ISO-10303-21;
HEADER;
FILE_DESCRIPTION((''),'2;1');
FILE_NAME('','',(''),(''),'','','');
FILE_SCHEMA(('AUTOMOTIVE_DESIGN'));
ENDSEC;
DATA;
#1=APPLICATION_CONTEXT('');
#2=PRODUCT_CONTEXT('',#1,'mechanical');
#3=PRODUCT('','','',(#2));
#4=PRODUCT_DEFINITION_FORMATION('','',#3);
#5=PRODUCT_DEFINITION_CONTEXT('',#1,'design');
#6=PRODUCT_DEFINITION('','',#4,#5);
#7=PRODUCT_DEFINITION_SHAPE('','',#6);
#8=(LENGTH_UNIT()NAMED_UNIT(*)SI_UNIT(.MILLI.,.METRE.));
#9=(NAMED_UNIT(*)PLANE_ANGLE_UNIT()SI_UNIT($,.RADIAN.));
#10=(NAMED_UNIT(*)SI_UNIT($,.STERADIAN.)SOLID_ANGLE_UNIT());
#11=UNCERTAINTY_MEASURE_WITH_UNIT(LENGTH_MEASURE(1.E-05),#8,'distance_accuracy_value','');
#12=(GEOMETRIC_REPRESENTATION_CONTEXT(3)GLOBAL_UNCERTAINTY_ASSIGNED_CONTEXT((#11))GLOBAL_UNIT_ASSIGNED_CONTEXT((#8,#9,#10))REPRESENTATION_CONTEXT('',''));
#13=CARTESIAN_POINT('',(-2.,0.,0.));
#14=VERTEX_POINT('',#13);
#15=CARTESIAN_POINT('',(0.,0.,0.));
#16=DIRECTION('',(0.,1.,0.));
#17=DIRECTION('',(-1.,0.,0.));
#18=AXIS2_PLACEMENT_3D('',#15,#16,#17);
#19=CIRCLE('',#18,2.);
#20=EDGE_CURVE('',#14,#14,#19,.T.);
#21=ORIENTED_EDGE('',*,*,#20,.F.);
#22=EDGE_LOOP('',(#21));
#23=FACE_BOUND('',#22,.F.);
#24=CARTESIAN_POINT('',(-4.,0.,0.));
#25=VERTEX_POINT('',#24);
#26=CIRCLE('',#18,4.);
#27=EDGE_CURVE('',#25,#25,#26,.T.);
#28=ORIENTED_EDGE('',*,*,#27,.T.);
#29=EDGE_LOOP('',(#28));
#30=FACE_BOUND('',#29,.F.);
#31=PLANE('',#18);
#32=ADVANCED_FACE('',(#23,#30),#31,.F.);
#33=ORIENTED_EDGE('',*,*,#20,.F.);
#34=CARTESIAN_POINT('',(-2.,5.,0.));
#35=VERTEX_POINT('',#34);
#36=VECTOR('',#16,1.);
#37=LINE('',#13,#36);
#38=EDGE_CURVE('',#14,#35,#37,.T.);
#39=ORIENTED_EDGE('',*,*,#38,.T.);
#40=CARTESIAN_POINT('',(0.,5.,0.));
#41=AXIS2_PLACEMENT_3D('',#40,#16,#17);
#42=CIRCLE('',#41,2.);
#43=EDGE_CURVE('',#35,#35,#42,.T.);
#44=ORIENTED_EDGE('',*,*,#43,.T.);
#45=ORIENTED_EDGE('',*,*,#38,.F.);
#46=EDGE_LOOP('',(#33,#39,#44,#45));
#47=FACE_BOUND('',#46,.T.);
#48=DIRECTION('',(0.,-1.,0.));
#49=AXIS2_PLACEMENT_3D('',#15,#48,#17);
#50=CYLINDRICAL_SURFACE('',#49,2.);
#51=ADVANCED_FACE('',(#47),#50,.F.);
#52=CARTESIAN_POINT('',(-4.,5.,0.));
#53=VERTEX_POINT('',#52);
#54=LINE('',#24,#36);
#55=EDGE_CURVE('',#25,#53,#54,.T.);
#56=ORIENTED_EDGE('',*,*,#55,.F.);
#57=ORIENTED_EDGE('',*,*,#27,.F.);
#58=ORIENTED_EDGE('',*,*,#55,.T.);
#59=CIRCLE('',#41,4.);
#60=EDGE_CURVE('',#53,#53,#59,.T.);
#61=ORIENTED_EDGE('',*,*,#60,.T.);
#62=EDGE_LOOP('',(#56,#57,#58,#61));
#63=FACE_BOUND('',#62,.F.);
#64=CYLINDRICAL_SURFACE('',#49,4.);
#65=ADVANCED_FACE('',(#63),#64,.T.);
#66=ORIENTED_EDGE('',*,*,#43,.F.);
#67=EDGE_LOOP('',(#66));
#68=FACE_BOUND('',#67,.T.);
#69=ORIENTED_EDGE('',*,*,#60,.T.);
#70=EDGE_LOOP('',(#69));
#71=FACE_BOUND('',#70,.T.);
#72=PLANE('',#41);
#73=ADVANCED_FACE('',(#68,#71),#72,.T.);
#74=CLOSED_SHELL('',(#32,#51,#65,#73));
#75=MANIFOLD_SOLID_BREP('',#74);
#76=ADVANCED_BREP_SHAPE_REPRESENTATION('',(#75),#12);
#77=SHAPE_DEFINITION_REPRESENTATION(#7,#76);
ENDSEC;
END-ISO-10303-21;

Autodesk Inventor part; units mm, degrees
ref_plane "YZ Plane" through (0, 0, 0) normal (1, 0, 0) x (0, 1, 0)
ref_plane "XZ Plane" through (0, 0, 0) normal (0, 1, 0) x (-1, 0, 0)
ref_plane "XY Plane" through (0, 0, 0) normal (0, 0, 1) x (1, 0, 0)
sketch "Sketch1" plane through (0, 0, 0) normal (0, 1, 0) x (-1, 0, 0)
  circle A0 centre (0, 0) radius 2
  circle A1 centre (0, 0) radius 4
  dimension "d0" = 8
  dimension "d1" = 4
extrude "Extrusion1" add sketch "Sketch1" along normal blind 5
properties part number "PCB_standoff"
